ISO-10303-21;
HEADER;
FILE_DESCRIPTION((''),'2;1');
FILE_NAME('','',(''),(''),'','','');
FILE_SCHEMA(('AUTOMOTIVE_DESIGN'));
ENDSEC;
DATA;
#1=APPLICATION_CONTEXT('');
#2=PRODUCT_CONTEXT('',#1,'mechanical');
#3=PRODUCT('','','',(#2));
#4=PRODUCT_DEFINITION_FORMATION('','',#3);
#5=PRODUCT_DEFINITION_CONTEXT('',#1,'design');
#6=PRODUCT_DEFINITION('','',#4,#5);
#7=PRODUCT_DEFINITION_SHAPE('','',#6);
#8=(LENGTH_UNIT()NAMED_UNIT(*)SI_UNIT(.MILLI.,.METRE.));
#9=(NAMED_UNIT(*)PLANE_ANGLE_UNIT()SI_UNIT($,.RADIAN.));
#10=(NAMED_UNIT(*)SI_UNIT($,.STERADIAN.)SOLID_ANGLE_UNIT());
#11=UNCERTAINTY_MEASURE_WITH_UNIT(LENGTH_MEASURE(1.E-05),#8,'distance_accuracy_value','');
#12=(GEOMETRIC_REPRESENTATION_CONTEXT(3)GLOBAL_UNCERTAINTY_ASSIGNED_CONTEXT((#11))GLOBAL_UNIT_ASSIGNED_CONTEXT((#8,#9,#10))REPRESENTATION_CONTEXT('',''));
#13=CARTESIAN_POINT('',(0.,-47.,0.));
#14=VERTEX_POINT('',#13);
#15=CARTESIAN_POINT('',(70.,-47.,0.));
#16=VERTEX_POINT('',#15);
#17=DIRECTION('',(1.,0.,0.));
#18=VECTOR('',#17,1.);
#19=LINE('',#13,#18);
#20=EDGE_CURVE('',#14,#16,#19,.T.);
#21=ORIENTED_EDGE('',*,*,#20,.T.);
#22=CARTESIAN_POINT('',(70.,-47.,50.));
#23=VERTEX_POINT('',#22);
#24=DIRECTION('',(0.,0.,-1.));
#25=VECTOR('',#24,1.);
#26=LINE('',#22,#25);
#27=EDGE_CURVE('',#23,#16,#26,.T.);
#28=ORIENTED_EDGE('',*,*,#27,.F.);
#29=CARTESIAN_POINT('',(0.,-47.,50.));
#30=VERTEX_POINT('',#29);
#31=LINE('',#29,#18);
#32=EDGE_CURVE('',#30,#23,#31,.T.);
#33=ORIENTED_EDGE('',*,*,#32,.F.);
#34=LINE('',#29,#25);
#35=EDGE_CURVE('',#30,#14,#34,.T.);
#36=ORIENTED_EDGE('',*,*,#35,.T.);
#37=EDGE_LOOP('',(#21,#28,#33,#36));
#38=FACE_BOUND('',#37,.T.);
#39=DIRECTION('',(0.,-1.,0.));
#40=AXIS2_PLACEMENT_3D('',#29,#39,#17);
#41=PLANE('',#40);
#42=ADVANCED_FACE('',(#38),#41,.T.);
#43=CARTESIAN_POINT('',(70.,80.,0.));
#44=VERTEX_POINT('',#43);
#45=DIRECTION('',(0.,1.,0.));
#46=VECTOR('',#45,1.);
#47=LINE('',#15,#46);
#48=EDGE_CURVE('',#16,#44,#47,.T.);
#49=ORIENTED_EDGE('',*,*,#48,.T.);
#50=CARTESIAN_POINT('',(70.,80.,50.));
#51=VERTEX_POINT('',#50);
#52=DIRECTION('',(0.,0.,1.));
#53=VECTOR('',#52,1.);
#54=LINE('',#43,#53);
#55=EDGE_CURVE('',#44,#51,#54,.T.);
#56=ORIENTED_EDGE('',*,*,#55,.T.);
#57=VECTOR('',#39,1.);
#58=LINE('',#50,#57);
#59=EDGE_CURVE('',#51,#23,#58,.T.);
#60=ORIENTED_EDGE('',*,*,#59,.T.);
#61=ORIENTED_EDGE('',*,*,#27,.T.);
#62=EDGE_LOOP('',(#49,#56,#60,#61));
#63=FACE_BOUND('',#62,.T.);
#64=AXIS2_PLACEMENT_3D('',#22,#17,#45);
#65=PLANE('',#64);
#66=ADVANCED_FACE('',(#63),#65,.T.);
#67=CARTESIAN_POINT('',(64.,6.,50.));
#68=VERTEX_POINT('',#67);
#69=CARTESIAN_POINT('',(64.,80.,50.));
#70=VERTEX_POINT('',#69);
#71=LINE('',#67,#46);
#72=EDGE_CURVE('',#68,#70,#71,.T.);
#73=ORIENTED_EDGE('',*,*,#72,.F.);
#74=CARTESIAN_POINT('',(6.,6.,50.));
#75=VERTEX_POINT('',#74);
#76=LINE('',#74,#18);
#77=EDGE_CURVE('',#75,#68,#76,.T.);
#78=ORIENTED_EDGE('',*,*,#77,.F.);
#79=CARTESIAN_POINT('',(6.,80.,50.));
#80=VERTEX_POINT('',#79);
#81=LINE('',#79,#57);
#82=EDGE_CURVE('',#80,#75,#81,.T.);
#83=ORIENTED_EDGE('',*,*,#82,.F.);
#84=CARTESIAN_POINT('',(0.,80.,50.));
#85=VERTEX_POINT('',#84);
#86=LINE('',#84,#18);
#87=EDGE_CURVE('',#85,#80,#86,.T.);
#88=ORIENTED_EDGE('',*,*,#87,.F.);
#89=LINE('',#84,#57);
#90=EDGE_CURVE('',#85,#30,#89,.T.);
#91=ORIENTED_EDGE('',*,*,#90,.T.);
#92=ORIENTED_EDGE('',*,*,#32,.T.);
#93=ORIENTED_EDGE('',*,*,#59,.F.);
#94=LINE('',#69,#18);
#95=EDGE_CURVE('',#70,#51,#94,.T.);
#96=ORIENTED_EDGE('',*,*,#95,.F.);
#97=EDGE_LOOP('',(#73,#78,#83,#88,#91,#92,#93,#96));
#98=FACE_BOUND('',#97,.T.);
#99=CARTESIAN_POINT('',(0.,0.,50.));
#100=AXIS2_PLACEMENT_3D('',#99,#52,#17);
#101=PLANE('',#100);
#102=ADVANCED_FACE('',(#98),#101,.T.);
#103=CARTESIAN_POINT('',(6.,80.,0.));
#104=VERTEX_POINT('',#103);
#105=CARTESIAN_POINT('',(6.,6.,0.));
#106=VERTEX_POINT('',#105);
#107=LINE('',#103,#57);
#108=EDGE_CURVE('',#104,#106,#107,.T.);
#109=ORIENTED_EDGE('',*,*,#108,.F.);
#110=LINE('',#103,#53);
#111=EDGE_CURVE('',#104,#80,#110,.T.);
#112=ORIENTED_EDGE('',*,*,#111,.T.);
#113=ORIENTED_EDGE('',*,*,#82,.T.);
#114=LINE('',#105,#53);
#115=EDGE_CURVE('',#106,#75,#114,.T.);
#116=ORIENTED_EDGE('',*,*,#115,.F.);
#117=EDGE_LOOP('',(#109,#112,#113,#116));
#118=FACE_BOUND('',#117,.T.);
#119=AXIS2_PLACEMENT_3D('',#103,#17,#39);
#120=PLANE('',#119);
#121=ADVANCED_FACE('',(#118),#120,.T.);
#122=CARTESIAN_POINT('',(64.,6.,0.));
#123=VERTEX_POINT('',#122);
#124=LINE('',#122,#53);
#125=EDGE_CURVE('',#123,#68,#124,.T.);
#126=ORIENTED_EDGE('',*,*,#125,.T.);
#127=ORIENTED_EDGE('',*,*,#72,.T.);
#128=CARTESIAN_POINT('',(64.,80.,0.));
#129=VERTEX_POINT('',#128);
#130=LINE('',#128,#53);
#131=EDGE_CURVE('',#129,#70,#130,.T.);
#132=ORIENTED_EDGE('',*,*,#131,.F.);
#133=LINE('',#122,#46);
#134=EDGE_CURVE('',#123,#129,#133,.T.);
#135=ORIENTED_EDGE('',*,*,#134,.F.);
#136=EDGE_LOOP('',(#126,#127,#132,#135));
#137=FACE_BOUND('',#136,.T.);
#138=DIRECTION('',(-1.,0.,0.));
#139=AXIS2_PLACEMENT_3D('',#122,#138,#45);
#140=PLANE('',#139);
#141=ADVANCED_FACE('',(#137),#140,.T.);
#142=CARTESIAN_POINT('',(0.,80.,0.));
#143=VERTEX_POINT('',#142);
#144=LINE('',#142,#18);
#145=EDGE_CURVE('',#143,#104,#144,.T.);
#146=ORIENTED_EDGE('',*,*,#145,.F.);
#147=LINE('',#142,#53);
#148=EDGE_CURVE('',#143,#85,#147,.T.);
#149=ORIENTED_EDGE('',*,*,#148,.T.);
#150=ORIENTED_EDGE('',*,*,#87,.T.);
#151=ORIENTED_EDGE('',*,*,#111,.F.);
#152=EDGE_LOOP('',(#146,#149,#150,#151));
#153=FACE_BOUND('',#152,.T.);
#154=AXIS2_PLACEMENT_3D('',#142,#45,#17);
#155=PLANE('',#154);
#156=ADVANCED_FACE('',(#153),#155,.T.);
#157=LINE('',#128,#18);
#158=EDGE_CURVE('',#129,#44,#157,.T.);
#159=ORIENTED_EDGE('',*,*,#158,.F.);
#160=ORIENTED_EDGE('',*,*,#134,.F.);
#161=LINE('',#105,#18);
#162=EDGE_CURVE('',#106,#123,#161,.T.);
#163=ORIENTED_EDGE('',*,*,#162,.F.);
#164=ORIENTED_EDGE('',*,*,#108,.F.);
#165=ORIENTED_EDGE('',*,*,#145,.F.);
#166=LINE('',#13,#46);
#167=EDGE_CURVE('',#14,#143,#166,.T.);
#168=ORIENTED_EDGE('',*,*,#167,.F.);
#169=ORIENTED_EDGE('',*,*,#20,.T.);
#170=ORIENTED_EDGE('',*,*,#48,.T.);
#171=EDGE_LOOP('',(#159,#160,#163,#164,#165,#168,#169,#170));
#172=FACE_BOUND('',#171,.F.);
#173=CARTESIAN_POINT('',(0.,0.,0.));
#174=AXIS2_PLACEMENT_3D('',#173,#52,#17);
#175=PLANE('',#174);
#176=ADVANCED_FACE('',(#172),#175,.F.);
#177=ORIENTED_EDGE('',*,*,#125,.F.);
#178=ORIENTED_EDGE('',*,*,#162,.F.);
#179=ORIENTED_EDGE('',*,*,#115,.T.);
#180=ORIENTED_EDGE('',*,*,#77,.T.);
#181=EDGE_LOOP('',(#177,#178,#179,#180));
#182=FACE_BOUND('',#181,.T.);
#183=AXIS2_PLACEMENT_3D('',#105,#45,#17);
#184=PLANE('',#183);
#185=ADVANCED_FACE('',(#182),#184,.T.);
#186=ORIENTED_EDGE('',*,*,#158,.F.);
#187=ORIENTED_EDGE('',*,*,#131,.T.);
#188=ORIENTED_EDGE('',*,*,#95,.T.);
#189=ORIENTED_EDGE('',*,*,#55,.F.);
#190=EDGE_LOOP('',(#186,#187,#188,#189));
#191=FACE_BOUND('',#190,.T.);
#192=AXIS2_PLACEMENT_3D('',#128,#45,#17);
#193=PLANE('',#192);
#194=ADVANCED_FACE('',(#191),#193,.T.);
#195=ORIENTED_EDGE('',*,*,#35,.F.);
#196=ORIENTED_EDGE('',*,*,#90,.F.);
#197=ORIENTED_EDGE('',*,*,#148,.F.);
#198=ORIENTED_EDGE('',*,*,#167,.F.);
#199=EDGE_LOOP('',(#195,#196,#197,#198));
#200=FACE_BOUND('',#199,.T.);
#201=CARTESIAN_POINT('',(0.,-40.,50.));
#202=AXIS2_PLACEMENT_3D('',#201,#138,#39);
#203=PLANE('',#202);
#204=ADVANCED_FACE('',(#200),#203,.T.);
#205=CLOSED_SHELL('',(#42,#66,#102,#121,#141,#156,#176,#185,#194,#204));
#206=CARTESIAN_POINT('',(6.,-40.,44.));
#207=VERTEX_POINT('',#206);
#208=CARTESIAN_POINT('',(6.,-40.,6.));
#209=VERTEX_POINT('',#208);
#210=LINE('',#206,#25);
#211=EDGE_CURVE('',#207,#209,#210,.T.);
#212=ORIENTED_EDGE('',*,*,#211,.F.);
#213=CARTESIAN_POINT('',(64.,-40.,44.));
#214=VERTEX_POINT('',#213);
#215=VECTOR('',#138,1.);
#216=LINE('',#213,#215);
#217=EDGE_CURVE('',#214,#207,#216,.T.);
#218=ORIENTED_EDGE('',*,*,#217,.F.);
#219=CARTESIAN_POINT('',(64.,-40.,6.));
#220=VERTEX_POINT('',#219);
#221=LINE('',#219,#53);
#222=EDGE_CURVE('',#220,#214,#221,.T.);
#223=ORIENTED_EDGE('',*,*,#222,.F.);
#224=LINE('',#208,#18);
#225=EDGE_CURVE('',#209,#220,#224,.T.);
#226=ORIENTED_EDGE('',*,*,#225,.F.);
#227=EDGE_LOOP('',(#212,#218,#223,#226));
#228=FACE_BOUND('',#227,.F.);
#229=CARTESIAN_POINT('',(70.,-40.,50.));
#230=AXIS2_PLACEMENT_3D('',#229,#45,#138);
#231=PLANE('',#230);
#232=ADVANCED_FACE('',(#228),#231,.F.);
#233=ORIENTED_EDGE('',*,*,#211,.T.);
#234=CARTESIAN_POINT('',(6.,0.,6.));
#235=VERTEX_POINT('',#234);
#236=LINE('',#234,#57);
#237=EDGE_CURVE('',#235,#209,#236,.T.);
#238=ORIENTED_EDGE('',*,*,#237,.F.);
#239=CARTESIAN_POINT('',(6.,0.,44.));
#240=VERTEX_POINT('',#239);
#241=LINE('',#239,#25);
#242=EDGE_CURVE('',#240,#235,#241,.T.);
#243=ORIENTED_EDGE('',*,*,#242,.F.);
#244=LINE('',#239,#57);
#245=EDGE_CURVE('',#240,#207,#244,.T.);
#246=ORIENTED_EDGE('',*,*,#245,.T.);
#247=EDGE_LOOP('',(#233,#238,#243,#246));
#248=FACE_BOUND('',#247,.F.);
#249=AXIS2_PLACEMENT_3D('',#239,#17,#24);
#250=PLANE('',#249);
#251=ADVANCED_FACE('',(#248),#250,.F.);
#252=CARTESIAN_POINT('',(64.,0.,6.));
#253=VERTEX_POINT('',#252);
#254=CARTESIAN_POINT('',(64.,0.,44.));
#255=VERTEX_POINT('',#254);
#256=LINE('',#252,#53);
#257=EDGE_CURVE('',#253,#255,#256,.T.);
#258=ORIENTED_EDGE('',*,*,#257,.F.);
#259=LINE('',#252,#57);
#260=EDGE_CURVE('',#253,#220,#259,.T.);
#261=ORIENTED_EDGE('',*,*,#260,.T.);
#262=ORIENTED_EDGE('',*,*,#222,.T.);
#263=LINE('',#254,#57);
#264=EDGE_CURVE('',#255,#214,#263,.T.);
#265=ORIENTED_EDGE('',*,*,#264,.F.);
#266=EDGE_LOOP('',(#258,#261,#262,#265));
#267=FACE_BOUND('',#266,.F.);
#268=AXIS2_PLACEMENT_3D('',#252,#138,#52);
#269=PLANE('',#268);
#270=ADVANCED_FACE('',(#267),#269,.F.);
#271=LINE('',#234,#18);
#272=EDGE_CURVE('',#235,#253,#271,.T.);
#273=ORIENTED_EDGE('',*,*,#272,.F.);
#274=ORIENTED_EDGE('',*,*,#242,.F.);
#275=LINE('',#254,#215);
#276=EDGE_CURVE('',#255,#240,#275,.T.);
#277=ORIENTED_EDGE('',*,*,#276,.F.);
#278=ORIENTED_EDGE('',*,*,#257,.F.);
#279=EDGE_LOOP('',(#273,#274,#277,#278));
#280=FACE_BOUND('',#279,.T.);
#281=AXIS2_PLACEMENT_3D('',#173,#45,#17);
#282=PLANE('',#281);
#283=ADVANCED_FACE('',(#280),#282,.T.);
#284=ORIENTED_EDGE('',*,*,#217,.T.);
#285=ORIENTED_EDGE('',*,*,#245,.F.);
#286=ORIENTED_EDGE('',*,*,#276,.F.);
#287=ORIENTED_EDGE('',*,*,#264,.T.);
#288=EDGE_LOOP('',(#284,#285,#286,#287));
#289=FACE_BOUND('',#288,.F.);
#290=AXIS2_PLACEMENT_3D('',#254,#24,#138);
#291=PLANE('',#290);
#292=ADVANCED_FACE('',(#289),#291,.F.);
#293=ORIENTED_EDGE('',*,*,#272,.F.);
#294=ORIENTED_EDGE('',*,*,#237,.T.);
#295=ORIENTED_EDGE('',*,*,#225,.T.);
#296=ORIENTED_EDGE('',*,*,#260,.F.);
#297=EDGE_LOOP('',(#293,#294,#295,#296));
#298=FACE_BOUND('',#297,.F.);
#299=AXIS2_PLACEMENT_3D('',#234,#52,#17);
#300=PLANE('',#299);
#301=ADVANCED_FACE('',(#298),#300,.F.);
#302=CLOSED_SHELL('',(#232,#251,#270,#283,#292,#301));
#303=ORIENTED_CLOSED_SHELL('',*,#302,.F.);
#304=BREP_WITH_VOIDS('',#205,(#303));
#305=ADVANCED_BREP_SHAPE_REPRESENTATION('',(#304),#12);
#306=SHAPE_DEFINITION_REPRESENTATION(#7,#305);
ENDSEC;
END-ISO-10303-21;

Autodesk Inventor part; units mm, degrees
ref_plane "YZ Plane" through (0, 0, 0) normal (1, 0, 0) x (0, 1, 0)
ref_plane "XZ Plane" through (0, 0, 0) normal (0, 1, 0) x (-1, 0, 0)
ref_plane "XY Plane" through (0, 0, 0) normal (0, 0, 1) x (1, 0, 0)
sketch "Sketch1" plane through (0, 0, 0) normal (0, 0, 1) x (1, 0, 0)
  line L0 (0, 80) -> (0, 0)
  line L1 (0, 0) -> (70, 0)
  line L2 (70, 0) -> (70, 80)
  line L3 (6, 80) -> (6, 6)
  line L4 (6, 6) -> (64, 6)
  line L5 (64, 6) -> (64, 80)
  line L6 (0, 80) -> (6, 80)
  line L7 (64, 80) -> (70, 80)
  dimension "d0" = 70
  dimension "d1" = 80
  dimension "d2" = 80
  dimension "d3" = 6
extrude "Extrusion1" add sketch "Sketch1" along normal blind 50
sketch "Sketch2" plane through (0, 0, 0) normal (0, -1, 0) x (1, 0, 0)
  line L0 (6, 0) -> (0, 0) projected
  line L1 (0, 50) -> (70, 50) projected
  line L2 (0, 0) -> (70, 0)
  line L3 (70, 0) -> (70, 50)
  line L4 (70, 50) -> (0, 50)
  line L5 (0, 50) -> (0, 0)
  line L6 (6, 6) -> (64, 6)
  line L7 (64, 6) -> (64, 44)
  line L8 (64, 44) -> (6, 44)
  line L9 (6, 44) -> (6, 6)
  dimension "d7" = 6
extrude "Extrusion2" add sketch "Sketch2" along normal blind 40
sketch "Sketch3" plane through (0, 0, 50) normal (0, 0, 1) x (1, 0, 0)
  line L0 (70, 80) -> (70, -40) projected
  line L1 (70, -40) -> (0, -40)
  line L2 (0, -40) -> (0, -47)
  line L3 (0, -47) -> (70, -47)
  line L4 (70, -47) -> (70, -40)
  point P0 (0, 0)
  dimension "d15" = 70
  dimension "d16" = 7
extrude "Extrusion4" add sketch "Sketch3" against normal blind 50
properties part number "armj4"
